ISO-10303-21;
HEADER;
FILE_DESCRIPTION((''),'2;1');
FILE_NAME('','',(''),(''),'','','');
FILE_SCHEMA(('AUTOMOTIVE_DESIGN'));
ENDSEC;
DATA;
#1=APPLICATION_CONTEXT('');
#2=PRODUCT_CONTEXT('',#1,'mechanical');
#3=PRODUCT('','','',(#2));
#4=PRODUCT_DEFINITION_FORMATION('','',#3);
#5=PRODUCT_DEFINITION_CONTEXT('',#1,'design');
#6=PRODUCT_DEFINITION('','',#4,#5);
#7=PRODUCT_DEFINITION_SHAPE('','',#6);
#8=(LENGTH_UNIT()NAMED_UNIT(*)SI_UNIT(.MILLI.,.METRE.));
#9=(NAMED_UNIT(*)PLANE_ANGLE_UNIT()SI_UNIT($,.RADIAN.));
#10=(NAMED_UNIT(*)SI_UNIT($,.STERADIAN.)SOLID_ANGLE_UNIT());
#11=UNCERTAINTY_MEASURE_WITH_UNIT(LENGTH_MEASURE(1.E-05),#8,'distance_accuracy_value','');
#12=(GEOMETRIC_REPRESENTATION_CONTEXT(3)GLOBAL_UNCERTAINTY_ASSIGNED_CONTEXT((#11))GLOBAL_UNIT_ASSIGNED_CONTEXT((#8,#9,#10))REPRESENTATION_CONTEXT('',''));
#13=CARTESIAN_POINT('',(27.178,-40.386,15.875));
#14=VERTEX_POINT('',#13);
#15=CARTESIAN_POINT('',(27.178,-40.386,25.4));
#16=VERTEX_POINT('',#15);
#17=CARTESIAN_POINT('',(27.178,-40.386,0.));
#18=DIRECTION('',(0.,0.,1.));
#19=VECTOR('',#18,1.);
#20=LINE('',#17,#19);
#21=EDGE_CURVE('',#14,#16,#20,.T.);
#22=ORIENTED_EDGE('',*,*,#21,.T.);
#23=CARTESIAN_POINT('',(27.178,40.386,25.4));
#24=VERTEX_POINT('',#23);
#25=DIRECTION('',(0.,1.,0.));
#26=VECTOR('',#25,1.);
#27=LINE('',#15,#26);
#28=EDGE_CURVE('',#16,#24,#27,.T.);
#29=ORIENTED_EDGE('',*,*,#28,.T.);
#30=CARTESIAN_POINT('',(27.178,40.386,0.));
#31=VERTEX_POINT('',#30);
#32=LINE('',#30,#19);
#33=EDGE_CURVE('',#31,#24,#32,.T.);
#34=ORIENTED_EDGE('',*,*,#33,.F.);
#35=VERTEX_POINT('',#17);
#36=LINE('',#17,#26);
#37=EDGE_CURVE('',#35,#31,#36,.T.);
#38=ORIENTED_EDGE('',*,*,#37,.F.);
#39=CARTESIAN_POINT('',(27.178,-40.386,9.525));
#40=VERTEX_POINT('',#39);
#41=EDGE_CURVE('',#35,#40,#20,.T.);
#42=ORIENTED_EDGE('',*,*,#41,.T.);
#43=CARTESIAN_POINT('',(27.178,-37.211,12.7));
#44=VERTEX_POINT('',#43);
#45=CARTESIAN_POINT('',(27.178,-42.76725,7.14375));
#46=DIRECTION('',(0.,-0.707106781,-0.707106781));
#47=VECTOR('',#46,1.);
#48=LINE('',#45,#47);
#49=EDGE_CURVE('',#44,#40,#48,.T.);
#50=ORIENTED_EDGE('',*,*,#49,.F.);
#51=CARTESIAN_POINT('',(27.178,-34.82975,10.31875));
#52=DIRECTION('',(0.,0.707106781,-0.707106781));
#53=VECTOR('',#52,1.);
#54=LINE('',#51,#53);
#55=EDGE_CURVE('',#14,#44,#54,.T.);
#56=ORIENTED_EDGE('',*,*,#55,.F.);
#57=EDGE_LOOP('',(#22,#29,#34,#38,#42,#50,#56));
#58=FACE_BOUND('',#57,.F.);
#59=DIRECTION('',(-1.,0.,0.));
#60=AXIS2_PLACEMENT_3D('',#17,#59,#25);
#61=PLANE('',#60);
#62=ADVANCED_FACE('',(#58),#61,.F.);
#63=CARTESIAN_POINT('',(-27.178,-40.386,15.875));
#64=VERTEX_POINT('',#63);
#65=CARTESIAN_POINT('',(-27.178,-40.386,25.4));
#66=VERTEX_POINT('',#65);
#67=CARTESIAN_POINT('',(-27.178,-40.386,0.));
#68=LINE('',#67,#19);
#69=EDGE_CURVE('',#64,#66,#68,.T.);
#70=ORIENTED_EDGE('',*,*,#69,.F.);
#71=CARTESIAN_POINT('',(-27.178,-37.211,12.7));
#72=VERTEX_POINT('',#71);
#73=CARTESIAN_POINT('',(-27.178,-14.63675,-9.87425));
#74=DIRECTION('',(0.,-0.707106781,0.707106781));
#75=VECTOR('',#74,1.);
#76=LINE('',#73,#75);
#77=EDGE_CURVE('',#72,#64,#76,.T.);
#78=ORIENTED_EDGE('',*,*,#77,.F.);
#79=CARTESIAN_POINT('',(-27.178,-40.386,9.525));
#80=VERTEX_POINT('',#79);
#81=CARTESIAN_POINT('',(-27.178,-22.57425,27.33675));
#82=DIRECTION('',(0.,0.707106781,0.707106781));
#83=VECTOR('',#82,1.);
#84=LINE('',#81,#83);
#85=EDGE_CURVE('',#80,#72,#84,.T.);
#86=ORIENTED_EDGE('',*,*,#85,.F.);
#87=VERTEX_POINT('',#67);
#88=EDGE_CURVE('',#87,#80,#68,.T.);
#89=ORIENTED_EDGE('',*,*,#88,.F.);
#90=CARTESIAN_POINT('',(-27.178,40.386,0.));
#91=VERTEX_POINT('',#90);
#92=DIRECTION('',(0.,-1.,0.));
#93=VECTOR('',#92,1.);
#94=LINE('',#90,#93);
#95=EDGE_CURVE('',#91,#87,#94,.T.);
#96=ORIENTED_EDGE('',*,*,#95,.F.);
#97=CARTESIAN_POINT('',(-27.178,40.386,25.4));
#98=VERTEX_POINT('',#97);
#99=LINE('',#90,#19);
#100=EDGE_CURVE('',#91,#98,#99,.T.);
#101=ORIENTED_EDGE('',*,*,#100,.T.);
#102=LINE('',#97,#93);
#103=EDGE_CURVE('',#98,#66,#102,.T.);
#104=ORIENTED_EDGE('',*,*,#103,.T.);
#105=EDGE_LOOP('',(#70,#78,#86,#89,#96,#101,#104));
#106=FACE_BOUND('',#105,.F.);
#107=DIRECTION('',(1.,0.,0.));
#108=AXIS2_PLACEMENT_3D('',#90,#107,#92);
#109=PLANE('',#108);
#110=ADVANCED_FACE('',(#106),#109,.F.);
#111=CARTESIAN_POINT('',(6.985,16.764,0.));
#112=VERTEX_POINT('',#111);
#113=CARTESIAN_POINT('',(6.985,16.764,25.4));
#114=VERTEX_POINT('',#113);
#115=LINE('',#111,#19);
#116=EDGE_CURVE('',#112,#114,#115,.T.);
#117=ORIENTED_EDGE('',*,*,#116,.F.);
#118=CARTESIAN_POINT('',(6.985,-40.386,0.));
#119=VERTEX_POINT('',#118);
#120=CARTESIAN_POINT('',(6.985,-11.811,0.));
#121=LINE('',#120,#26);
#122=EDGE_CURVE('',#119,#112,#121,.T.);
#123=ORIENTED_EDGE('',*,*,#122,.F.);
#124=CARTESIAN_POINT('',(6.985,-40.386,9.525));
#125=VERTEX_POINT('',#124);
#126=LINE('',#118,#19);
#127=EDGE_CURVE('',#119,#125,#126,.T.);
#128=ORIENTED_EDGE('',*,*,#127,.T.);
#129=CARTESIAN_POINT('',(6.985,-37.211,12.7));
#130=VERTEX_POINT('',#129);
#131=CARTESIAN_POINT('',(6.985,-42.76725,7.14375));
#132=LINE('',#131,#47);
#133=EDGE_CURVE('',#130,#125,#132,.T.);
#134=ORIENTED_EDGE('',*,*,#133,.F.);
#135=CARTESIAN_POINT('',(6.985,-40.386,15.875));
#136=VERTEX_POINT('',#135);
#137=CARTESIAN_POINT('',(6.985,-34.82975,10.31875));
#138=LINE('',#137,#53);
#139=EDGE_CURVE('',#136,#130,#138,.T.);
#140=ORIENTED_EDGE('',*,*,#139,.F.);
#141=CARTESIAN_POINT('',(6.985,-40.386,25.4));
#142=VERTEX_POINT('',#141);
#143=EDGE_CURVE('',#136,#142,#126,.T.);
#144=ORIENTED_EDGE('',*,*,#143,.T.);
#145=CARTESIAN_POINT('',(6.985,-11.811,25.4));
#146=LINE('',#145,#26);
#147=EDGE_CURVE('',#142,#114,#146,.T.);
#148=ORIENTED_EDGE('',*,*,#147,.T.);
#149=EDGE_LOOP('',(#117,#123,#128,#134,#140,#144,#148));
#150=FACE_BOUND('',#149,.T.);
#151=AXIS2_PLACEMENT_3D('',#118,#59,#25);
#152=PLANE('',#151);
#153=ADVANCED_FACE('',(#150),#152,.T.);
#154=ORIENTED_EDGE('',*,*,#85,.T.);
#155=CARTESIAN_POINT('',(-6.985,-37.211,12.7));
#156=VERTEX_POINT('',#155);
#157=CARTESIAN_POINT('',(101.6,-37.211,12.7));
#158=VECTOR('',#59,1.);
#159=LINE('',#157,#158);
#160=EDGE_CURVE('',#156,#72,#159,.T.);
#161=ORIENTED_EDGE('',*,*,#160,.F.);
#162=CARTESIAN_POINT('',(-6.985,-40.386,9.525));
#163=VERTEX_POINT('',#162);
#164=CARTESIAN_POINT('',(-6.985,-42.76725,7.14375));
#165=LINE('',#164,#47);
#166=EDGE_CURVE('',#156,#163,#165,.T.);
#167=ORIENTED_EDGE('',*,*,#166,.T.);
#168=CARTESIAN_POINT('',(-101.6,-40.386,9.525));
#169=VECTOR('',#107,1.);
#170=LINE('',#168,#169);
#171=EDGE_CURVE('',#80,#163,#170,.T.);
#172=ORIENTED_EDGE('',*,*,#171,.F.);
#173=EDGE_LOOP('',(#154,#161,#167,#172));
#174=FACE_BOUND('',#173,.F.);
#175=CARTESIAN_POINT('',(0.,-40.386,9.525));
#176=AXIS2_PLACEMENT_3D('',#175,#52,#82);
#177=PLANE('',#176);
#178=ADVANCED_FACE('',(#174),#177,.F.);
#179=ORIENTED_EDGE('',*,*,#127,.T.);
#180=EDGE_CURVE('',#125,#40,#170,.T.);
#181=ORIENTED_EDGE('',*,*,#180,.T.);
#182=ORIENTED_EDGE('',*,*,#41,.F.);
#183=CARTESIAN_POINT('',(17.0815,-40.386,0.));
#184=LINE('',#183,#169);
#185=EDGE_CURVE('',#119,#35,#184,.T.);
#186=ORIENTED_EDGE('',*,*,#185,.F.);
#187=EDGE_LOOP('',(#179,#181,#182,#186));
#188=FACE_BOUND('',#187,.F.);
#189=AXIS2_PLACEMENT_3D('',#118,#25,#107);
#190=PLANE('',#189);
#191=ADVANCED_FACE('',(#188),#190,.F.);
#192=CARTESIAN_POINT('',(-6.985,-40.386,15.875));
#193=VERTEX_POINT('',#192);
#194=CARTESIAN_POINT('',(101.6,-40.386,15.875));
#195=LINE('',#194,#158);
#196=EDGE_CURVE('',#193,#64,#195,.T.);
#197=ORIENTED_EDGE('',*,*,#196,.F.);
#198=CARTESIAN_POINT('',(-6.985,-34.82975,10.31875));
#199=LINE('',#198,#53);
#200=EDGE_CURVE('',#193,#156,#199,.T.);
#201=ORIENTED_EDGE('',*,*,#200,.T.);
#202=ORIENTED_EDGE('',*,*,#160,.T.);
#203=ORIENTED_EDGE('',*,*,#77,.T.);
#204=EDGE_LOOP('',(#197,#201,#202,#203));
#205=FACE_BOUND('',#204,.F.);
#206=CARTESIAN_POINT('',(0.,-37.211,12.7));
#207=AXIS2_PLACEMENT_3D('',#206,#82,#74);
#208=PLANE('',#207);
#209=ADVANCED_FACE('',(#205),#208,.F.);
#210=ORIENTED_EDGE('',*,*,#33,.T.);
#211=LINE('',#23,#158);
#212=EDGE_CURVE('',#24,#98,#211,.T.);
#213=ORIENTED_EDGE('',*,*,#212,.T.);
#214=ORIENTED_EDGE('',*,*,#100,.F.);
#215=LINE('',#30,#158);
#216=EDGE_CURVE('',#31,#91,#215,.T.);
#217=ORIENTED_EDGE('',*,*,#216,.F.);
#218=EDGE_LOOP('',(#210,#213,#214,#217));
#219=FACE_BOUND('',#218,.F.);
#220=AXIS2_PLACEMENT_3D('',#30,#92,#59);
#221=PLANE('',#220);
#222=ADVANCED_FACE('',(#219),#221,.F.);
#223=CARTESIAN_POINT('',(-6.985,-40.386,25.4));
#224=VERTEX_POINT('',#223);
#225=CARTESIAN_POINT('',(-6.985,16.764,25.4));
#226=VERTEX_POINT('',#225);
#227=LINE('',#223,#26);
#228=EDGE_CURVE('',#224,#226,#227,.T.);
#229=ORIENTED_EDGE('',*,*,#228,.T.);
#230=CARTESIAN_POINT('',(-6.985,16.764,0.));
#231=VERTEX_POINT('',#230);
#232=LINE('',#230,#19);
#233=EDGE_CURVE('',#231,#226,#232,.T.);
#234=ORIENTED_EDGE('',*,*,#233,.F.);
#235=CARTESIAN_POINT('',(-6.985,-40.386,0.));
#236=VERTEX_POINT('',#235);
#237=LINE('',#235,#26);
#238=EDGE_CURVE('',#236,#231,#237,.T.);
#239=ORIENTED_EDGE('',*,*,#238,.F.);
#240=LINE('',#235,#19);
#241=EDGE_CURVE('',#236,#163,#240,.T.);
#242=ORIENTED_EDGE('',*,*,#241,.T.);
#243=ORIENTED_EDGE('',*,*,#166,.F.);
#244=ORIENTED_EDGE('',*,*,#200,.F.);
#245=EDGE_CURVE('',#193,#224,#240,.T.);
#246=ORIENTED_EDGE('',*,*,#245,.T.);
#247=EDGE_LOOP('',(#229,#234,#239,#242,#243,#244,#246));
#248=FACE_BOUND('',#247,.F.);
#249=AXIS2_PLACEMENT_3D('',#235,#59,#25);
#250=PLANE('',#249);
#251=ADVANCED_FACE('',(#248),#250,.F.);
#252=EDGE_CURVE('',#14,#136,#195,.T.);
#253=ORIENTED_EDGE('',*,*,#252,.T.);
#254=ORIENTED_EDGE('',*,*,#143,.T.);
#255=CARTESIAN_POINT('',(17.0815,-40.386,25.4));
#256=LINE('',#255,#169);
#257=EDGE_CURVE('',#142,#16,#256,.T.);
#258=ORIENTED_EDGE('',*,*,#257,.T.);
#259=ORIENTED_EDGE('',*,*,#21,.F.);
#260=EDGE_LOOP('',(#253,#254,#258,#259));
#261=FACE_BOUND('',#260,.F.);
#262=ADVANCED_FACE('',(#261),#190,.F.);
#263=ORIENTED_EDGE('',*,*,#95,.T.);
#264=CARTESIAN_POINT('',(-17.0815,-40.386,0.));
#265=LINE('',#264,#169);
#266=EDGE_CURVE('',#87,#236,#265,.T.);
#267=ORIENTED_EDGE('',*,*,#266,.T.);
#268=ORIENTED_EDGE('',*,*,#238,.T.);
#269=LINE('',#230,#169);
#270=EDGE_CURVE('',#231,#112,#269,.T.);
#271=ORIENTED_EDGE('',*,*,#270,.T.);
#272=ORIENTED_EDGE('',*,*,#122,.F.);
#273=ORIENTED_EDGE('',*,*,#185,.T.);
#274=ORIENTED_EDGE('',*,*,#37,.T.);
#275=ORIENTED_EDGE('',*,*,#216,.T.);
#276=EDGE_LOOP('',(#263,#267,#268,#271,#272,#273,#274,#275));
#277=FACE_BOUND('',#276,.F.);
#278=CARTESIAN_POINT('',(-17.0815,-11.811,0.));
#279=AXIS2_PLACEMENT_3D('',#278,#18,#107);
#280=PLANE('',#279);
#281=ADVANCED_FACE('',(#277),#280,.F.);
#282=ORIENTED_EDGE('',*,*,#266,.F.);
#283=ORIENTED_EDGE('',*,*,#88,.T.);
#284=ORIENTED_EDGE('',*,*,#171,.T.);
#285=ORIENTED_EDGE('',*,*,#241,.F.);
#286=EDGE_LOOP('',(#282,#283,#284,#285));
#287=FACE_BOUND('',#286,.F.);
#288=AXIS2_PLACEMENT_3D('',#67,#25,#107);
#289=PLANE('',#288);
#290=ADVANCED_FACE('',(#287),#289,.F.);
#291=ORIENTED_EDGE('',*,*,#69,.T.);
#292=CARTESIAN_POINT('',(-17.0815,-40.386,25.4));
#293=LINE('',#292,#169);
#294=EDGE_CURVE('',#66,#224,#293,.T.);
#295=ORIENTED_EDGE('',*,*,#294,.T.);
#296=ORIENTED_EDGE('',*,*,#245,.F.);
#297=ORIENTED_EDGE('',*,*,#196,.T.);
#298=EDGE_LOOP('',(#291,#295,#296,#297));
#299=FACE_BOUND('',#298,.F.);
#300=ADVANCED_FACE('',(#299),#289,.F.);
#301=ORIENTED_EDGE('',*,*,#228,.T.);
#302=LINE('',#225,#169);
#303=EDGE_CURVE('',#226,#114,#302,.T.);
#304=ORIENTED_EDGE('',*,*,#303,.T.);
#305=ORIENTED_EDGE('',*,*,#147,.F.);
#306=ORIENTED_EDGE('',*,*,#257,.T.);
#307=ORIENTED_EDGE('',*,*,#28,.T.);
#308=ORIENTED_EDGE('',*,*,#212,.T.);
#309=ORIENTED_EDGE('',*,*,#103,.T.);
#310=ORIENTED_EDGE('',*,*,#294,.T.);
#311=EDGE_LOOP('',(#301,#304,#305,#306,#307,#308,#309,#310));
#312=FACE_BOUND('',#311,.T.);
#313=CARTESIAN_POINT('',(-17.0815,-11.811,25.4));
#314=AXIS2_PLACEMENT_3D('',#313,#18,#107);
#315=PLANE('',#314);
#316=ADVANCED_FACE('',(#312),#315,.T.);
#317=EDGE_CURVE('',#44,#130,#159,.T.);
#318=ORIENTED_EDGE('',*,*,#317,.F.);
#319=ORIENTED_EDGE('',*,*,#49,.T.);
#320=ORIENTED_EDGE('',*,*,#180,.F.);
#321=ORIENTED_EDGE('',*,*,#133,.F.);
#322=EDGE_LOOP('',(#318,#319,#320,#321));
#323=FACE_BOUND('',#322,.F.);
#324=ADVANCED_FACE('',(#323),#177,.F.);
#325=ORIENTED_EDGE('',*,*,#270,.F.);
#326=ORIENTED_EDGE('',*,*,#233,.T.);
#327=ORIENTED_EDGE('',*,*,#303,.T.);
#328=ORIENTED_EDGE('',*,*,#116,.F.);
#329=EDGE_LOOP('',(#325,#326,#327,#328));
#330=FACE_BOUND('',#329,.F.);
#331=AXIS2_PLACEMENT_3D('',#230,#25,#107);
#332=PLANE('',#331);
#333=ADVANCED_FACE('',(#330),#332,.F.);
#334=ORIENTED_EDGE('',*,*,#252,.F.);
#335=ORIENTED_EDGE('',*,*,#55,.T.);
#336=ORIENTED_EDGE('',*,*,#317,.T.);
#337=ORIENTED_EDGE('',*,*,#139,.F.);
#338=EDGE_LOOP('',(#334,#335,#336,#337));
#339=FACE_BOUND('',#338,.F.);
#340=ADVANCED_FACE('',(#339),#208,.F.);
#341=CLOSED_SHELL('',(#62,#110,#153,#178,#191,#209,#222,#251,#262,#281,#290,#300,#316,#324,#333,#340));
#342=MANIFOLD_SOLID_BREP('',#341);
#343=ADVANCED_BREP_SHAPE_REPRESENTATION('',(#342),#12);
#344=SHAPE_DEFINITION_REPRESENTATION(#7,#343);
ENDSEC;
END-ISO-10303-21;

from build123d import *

# Parameters (mm, degrees)
F0_W     = 20.193
F0_H     = 57.15
F0_H_2   = 23.622
F0_W_2   = 13.97
F1_DEPTH = 25.4
F3_DEPTH = 101.6


with BuildPart() as f1:
    # F0 (on Top) → F1 (new body)
    with BuildSketch(Plane.XY):
        with Locations((-17.0815, -11.811)):
            Rectangle(F0_W, F0_H)
        with Locations((-17.0815, 28.575)):
            Rectangle(F0_W, F0_H_2)
        with Locations((0, 28.575)):
            Rectangle(F0_W_2, F0_H_2)
        with Locations((17.0815, 28.575)):
            Rectangle(F0_W, F0_H_2)
        with Locations((17.0815, -11.811)):
            Rectangle(F0_W, F0_H)
    extrude(amount=F1_DEPTH)

    # F2 (on Right) → F3 (cut, symmetric)
    with BuildSketch(Plane.YZ):
        Polygon((-40.386, 15.875), (-40.386, 12.7), (-37.211, 12.7), align=None)
        Polygon((-40.386, 12.7), (-40.386, 9.525), (-37.211, 12.7), align=None)
    extrude(amount=F3_DEPTH, both=True, mode=Mode.SUBTRACT)


solid = f1.part
